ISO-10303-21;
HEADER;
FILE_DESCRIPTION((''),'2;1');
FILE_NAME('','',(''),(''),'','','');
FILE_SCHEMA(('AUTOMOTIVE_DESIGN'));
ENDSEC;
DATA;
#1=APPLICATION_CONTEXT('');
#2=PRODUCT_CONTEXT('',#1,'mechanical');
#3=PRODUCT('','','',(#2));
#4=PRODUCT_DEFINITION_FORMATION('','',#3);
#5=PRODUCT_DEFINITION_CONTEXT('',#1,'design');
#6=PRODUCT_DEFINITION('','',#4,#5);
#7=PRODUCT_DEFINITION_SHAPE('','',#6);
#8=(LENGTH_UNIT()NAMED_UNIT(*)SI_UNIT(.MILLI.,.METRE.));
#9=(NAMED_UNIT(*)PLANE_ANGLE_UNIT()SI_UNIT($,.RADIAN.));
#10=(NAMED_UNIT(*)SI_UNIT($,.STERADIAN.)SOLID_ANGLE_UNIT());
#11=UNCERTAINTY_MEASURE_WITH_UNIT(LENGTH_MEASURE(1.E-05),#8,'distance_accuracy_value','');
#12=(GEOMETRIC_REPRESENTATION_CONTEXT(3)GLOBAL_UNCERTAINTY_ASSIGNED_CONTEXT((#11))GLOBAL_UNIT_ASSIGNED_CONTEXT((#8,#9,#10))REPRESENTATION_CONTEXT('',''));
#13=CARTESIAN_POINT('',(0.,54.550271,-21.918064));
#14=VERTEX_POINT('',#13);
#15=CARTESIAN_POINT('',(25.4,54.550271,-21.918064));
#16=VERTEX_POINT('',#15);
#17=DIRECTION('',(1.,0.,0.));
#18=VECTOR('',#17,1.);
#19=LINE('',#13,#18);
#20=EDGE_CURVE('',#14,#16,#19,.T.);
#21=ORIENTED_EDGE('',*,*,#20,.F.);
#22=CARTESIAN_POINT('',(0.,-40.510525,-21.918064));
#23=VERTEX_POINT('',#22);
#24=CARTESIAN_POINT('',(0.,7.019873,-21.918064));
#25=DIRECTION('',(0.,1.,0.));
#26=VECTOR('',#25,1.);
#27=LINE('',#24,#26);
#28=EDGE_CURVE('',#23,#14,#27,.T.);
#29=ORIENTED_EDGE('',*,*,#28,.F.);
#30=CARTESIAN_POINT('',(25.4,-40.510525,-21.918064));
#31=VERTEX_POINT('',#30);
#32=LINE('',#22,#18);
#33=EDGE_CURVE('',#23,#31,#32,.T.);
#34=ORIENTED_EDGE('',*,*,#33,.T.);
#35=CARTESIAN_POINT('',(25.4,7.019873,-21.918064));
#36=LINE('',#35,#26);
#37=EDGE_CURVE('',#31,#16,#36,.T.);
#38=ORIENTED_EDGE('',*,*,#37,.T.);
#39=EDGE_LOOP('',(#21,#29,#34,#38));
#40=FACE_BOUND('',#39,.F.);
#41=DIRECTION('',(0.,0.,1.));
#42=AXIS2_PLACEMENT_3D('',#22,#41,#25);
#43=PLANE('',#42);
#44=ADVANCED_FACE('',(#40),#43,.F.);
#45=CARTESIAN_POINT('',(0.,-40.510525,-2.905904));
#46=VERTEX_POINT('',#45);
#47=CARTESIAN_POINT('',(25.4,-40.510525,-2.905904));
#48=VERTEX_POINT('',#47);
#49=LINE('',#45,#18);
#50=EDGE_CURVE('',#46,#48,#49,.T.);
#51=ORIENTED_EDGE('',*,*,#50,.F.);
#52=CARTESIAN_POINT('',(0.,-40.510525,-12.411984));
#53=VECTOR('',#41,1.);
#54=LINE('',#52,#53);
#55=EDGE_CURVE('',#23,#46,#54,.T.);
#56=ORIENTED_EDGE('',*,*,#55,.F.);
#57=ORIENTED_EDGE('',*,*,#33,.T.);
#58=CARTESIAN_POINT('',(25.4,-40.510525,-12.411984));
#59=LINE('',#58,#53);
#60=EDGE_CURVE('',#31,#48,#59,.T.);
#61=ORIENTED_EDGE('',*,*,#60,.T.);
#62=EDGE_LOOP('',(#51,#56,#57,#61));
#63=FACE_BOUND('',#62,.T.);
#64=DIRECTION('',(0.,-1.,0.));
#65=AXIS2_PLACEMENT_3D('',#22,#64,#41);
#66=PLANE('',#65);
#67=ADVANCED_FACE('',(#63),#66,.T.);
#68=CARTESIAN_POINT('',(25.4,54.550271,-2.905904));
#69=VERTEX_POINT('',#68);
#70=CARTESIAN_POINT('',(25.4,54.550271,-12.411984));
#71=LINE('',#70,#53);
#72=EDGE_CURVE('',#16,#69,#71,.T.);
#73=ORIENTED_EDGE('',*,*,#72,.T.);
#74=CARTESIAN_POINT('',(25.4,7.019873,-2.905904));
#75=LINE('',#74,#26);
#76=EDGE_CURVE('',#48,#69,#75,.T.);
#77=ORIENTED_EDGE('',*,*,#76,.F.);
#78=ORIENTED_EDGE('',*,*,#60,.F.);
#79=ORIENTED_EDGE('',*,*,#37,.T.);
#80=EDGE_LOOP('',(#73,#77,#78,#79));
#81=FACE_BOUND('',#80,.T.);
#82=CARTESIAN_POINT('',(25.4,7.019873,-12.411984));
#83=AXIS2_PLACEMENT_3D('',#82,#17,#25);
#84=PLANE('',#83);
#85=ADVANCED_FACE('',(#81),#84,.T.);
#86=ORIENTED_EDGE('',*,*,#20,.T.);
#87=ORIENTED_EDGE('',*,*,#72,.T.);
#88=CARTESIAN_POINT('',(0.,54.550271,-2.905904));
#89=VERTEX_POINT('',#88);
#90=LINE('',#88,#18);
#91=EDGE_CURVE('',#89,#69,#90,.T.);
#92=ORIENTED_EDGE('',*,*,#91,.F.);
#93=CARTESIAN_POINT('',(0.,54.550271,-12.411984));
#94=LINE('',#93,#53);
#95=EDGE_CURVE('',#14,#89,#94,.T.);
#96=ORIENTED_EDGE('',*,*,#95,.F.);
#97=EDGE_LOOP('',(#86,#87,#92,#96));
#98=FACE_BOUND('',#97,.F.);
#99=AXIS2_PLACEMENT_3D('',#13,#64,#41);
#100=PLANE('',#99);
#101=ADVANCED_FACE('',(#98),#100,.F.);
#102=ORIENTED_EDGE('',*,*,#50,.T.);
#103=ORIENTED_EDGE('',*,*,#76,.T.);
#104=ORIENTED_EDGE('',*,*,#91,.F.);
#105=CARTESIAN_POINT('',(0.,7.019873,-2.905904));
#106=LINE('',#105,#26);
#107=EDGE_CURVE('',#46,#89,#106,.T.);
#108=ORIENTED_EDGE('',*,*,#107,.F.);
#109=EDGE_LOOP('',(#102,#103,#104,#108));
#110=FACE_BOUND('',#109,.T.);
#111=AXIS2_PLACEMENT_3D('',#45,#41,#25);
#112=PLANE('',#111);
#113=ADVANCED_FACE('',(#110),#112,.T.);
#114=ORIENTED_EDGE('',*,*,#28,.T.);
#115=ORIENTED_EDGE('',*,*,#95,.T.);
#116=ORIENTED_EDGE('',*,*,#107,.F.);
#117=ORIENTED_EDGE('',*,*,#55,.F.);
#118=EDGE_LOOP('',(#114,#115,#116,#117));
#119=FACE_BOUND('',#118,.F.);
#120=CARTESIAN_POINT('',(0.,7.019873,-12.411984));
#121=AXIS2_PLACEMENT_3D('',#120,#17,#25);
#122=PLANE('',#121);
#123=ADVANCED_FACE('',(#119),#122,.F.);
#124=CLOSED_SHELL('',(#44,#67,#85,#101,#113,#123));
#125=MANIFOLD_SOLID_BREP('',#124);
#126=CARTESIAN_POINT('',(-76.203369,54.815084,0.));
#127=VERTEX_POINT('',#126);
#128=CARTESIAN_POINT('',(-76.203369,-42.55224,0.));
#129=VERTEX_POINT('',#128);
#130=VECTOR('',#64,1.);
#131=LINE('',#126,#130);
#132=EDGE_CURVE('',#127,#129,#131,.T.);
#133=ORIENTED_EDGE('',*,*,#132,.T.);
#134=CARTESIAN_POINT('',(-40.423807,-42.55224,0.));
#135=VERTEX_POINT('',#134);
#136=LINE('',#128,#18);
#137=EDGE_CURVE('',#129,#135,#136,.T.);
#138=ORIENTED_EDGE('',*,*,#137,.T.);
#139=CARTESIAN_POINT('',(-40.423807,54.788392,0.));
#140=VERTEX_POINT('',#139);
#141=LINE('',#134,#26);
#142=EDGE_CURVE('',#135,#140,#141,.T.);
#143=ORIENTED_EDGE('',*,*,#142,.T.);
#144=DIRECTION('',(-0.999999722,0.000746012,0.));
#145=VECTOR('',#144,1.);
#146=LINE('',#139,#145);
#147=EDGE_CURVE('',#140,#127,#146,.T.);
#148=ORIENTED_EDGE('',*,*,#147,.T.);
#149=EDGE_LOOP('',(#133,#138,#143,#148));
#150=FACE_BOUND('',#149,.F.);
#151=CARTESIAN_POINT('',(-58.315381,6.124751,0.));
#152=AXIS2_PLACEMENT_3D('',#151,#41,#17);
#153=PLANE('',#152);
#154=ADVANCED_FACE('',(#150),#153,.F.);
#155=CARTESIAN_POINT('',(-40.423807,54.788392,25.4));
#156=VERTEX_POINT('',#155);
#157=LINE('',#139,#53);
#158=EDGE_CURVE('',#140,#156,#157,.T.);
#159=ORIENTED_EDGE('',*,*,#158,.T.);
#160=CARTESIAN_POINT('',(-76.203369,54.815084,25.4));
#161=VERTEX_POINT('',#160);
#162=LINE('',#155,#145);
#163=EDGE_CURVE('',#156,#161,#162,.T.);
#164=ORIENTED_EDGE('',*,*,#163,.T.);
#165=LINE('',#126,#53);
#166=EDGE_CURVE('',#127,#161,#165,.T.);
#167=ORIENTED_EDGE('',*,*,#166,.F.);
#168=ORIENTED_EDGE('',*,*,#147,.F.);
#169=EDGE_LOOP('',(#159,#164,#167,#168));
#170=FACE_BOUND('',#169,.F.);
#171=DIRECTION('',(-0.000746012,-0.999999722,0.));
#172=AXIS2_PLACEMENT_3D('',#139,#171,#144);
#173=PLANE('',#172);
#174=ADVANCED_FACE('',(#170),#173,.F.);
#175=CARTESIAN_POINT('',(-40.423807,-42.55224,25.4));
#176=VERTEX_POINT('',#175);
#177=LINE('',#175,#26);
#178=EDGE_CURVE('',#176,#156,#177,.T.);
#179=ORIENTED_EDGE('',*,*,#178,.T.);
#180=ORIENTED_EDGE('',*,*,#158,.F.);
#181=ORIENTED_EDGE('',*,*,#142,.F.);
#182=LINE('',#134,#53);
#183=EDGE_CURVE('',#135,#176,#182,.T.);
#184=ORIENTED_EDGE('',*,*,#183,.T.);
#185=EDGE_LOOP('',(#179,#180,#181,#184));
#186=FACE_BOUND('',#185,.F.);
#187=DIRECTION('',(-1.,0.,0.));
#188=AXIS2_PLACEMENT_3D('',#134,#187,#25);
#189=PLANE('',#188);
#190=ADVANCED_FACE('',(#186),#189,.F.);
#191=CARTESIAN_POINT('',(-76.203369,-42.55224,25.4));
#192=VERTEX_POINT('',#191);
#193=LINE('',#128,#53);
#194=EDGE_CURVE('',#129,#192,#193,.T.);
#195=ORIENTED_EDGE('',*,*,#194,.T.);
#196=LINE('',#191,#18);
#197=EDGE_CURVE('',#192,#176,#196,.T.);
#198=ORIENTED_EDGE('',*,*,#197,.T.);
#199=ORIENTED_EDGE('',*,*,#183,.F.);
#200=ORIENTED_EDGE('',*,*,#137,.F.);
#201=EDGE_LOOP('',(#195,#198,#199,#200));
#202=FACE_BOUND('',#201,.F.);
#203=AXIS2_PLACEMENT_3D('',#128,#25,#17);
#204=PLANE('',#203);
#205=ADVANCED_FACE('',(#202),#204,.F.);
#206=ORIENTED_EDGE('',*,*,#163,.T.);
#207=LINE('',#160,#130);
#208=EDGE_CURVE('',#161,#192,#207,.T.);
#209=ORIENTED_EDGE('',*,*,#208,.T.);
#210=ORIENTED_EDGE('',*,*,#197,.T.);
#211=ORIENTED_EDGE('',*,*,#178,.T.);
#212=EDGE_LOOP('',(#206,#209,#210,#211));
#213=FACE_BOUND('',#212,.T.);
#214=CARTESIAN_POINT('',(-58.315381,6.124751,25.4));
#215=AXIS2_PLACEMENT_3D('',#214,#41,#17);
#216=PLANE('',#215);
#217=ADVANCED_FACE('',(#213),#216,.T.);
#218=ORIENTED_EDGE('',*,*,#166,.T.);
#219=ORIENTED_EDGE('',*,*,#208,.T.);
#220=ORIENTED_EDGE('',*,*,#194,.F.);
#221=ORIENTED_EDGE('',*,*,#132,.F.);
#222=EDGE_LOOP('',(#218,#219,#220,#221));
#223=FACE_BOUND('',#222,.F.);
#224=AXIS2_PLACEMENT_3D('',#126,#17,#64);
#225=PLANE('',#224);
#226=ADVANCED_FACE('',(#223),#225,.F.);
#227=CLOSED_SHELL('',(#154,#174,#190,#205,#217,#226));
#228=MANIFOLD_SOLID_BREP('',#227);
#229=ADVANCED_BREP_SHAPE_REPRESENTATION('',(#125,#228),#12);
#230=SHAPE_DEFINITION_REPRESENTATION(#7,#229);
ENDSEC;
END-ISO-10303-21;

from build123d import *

# Parameters (mm, degrees)
F1_W     = 95.060795
F1_H     = 19.01216
F2_DEPTH = 25.4
F3_DEPTH = 25.4


with BuildPart() as f2:
    # F1 (on Right) → F2 (new body)
    with BuildSketch(Plane.YZ):
        with Locations((7.019873, -12.411984)):
            Rectangle(F1_W, F1_H)
    extrude(amount=F2_DEPTH)


with BuildPart() as f3:
    # F0 (on Top) → F3 (new body)
    with BuildSketch(Plane.XY):
        Polygon((-40.423807, 54.788392), (-76.203369, 54.815084), (-76.203369, -42.55224), (-40.423807, -42.55224), align=None)
    extrude(amount=F3_DEPTH)


solid = Compound([f2.part, f3.part])
